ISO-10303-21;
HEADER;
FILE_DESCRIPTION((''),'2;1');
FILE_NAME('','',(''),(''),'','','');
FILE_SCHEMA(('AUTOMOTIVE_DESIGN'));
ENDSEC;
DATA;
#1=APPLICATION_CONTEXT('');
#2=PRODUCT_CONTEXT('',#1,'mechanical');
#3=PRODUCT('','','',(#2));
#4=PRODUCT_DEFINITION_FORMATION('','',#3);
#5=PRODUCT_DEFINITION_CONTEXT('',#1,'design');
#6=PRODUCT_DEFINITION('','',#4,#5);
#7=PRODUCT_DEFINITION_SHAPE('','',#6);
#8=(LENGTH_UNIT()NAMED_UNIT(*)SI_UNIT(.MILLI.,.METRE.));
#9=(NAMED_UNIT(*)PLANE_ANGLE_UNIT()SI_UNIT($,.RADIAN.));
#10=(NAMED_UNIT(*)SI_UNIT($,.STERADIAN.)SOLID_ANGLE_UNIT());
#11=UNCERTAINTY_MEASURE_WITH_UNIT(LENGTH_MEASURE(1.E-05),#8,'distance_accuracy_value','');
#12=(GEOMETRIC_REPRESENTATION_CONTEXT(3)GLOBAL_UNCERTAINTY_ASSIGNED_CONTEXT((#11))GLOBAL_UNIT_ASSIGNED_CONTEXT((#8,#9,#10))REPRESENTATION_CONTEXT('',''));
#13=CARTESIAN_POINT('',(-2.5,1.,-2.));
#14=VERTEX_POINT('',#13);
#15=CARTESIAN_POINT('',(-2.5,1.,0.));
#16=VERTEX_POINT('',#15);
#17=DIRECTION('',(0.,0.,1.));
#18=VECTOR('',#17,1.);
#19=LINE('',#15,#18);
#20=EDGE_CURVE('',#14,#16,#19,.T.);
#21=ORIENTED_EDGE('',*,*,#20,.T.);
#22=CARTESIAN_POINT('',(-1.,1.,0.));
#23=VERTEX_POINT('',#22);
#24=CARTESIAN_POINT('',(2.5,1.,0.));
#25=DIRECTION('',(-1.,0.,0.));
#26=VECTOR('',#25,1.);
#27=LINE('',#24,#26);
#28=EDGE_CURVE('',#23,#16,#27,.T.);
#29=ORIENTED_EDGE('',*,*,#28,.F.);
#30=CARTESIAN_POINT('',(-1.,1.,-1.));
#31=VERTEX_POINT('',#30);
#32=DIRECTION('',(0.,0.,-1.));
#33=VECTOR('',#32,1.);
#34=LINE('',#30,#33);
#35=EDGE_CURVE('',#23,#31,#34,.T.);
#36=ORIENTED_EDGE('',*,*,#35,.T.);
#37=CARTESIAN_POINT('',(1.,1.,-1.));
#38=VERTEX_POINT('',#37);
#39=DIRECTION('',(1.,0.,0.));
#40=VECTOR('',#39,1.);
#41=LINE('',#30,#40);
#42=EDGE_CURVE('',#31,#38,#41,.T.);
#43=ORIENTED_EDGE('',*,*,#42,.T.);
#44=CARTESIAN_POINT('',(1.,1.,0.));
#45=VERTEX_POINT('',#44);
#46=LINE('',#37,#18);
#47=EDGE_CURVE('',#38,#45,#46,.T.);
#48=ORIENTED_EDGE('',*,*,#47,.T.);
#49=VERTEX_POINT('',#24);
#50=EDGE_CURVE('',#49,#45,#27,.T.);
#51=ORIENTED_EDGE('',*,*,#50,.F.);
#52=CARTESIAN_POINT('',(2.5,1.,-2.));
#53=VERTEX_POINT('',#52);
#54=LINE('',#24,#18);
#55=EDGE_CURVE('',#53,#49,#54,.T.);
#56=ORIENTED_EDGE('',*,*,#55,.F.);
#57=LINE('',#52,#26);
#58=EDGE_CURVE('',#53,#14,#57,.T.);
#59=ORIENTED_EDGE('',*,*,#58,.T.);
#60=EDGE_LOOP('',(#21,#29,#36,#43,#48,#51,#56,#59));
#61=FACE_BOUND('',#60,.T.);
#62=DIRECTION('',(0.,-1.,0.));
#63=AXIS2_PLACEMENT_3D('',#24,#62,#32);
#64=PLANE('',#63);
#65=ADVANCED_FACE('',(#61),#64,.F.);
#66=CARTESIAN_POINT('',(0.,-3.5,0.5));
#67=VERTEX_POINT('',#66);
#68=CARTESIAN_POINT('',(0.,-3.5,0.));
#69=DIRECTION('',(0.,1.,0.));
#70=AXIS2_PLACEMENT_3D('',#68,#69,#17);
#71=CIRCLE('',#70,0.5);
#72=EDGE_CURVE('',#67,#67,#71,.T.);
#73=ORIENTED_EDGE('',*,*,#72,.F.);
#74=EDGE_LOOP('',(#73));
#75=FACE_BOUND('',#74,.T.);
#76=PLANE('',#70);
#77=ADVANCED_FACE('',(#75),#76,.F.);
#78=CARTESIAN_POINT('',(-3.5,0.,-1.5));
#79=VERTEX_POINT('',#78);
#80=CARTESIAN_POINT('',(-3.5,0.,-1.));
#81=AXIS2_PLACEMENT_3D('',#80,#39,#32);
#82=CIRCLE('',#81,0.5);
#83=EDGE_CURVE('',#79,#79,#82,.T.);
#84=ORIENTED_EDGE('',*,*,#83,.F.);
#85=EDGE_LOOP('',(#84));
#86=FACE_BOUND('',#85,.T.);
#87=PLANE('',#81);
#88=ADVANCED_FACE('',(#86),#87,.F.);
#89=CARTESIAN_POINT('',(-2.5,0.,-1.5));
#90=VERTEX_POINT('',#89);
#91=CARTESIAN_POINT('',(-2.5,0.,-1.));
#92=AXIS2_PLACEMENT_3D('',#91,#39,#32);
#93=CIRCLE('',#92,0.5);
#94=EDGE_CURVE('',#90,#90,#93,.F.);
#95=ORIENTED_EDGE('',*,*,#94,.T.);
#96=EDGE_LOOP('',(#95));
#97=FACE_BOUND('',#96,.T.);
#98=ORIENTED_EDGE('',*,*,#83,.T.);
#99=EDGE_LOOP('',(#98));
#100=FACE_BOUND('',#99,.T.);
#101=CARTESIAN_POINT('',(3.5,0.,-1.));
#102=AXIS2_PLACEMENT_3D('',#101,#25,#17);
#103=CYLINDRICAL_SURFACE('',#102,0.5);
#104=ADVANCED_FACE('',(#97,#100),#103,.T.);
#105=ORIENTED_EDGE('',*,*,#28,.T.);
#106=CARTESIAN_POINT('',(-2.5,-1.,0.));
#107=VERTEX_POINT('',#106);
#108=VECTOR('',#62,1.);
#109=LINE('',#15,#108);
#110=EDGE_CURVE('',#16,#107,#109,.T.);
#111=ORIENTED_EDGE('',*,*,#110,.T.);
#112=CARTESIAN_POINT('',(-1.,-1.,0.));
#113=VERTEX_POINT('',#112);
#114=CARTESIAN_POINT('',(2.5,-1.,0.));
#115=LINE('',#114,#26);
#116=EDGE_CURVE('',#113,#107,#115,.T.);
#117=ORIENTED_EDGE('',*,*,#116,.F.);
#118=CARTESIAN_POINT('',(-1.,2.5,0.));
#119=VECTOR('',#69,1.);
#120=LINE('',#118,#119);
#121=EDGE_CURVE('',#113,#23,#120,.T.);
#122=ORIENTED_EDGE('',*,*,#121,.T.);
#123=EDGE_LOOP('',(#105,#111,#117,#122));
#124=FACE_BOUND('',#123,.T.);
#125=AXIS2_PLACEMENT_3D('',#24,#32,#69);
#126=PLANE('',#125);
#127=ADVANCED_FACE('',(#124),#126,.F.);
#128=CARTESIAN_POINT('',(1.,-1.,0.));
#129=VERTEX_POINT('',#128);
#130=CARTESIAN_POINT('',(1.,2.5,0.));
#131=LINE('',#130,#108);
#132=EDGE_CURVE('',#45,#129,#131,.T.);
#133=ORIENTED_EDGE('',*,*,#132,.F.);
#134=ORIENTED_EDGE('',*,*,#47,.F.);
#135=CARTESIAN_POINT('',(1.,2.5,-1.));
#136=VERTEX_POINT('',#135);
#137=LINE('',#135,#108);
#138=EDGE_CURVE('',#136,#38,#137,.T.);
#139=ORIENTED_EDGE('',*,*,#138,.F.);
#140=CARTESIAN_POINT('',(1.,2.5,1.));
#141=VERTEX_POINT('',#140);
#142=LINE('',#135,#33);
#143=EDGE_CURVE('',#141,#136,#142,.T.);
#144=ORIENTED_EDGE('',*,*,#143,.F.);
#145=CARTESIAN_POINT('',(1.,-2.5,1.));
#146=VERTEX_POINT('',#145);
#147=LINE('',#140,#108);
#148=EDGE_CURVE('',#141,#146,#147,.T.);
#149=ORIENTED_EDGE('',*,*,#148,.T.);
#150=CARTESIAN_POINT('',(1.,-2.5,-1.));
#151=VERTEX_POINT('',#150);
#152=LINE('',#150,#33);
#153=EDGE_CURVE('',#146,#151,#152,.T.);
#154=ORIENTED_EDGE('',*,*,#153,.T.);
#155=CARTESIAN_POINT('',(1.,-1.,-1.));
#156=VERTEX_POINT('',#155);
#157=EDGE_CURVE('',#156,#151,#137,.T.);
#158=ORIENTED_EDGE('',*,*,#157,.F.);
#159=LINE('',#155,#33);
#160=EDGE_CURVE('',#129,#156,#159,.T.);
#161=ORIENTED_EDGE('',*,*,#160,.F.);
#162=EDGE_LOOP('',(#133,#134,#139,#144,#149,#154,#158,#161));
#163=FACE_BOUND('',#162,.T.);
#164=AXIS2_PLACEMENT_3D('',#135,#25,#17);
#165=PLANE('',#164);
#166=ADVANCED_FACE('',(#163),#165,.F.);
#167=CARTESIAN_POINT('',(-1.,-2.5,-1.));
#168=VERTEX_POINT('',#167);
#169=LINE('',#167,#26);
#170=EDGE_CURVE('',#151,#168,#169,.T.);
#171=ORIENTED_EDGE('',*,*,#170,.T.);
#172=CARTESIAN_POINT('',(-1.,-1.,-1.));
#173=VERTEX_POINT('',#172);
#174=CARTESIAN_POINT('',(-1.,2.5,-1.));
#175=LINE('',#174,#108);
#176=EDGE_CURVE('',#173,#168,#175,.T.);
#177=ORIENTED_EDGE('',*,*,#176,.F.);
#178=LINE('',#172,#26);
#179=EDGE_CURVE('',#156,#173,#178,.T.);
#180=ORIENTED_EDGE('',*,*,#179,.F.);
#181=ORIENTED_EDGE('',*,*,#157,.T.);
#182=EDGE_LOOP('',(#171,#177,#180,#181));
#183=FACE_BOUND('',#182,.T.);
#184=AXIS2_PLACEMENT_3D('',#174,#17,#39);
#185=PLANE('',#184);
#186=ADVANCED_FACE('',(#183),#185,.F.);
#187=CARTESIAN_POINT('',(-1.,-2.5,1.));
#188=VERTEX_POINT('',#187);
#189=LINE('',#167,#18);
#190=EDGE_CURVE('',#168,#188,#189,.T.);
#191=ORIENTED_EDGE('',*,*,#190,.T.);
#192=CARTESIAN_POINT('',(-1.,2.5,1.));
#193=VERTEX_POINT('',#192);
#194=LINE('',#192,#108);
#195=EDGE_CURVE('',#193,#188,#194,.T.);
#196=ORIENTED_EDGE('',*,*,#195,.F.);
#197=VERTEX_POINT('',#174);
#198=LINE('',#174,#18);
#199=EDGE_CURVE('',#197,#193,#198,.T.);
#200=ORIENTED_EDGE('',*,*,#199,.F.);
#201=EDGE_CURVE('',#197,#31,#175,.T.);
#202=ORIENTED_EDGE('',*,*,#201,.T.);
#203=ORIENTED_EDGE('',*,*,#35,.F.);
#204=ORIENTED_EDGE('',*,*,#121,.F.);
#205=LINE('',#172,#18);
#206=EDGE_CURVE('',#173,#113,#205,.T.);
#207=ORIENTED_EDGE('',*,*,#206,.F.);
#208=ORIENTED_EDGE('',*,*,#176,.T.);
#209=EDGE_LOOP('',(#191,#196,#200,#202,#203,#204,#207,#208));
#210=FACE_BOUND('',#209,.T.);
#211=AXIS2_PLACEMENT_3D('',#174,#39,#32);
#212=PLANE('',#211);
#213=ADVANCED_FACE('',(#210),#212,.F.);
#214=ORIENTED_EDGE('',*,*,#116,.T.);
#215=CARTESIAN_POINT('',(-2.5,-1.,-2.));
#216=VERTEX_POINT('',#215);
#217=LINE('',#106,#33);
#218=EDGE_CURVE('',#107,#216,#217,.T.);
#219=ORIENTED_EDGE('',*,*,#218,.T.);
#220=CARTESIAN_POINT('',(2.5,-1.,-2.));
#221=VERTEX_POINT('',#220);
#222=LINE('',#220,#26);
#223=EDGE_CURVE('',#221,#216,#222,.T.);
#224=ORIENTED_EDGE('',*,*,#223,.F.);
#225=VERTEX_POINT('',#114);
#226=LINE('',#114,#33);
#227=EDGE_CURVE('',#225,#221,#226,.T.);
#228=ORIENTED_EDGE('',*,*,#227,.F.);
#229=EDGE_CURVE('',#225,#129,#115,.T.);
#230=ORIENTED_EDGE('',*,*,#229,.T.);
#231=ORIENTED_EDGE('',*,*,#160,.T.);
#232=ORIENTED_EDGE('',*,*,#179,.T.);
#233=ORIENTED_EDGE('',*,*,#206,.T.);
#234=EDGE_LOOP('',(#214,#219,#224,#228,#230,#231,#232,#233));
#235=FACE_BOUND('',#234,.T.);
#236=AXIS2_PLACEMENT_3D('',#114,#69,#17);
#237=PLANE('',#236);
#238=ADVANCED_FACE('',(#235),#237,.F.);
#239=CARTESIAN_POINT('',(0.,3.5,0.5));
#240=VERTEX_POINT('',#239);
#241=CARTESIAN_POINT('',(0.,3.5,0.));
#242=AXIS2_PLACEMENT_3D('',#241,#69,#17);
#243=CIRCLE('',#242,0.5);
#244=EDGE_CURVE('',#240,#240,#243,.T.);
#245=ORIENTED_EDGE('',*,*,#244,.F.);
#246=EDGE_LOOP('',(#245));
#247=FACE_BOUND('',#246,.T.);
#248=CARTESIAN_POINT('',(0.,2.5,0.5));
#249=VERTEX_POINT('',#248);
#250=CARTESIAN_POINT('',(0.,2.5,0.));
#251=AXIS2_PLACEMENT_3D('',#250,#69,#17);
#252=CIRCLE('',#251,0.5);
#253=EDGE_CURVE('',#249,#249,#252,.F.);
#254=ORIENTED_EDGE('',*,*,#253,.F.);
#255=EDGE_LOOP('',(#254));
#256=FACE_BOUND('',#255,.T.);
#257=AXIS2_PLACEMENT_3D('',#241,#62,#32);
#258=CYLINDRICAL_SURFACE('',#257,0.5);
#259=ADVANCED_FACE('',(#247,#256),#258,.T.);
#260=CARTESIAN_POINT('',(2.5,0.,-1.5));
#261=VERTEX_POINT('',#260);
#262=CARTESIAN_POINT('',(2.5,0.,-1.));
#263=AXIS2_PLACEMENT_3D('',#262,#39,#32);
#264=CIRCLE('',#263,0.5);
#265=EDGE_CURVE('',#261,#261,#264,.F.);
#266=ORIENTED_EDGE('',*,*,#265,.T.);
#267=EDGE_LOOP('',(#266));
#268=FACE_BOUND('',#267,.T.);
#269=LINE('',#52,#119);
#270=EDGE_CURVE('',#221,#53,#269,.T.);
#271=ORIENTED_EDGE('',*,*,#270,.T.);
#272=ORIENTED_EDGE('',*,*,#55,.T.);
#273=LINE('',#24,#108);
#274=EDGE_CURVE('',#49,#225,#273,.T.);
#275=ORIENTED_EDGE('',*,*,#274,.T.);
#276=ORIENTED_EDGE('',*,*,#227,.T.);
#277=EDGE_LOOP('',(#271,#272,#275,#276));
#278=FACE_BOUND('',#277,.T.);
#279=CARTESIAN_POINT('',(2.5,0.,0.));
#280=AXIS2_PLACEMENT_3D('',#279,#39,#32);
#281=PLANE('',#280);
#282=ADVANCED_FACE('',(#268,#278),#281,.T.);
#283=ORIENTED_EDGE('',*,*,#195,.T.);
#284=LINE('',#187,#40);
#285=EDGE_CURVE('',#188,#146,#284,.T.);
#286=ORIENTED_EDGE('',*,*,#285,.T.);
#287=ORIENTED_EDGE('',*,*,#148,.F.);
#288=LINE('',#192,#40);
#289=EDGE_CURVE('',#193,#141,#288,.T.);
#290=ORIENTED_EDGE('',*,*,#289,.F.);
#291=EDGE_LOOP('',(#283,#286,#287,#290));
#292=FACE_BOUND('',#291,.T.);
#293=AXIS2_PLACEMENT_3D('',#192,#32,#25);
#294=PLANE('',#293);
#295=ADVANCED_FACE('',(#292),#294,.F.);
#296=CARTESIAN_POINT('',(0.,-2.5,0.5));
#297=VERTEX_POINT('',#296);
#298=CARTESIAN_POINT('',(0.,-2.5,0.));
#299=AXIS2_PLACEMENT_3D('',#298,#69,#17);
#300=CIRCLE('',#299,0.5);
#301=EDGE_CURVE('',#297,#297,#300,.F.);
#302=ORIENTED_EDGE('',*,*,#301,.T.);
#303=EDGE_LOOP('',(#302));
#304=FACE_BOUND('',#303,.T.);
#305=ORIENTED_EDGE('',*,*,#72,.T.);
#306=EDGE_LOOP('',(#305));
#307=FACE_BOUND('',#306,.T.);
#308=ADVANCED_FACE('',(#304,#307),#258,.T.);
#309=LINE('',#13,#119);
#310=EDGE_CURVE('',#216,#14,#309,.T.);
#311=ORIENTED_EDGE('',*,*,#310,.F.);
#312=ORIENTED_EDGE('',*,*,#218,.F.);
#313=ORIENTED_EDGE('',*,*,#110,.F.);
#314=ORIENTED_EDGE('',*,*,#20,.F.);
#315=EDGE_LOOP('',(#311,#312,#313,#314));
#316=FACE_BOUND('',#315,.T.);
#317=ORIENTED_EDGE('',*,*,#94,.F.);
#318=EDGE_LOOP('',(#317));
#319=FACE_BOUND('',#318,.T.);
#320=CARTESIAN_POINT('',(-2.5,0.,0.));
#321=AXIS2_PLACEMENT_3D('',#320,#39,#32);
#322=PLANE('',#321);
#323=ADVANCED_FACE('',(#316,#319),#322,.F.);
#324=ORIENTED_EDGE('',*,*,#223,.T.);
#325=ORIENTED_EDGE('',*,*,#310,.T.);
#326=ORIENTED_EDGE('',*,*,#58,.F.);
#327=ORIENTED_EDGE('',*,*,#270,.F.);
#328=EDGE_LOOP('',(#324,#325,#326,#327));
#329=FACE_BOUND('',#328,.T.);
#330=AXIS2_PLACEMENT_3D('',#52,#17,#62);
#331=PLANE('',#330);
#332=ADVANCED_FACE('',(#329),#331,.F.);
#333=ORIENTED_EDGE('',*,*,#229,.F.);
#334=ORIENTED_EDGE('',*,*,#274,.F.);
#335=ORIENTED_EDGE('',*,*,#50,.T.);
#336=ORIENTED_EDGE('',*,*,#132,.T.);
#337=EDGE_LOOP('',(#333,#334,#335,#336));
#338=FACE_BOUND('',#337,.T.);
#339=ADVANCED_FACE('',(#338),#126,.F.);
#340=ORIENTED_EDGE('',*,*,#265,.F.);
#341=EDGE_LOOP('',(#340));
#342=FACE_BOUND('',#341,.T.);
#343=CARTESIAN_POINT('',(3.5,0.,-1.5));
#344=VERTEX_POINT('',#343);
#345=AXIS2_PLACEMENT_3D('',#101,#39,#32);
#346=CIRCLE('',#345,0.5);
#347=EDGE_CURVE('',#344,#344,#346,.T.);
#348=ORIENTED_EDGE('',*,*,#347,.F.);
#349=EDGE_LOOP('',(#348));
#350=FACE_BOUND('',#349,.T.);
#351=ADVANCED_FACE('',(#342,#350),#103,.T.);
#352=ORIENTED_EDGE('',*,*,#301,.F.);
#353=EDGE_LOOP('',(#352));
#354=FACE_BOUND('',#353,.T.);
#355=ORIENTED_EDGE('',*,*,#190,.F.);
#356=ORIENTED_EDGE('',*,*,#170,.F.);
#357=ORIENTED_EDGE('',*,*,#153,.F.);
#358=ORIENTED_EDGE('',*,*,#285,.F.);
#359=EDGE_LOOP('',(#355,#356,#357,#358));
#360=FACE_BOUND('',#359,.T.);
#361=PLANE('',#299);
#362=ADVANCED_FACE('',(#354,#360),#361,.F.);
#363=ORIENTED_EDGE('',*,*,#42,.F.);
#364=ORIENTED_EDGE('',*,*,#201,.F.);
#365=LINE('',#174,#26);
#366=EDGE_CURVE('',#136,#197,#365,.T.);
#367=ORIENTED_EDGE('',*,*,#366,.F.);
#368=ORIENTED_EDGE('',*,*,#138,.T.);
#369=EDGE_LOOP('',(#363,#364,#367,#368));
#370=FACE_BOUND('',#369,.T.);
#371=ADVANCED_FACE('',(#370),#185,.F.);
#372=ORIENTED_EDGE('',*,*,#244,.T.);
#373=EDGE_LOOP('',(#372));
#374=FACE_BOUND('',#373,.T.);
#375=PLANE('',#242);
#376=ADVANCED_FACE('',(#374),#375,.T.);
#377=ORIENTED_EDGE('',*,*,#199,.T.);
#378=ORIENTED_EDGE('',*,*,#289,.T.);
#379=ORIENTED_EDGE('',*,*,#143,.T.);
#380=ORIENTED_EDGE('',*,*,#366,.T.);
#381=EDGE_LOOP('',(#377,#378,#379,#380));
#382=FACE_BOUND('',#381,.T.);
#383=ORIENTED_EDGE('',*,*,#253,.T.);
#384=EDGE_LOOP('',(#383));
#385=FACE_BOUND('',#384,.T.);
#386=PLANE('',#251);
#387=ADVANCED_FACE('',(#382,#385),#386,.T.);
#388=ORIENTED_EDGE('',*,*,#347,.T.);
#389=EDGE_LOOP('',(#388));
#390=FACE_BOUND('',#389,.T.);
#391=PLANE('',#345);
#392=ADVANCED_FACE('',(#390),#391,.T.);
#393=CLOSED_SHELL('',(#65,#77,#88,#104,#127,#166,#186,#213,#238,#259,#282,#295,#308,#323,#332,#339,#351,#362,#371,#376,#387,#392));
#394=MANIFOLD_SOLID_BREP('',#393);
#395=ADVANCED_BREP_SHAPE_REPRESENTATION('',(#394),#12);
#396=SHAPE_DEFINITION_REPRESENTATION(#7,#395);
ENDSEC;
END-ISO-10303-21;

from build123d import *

# Parameters (mm, degrees)
SKETCH1_W           = 2
SKETCH1_H           = 2
BOSS_EXTRUDE1_DEPTH = 2.5
SKETCH2_W           = 2
SKETCH2_H           = 2
BOSS_EXTRUDE2_DEPTH = 2.5
SKETCH3_R           = 0.5
BOSS_EXTRUDE3_DEPTH = 3.5
SKETCH5_R           = 0.5
BOSS_EXTRUDE4_DEPTH = 3.5


with BuildPart() as part:
    # Sketch1 → Boss-Extrude1 (new, symmetric)
    with BuildSketch(Plane(origin=(0, 0, 0), x_dir=(1, 0, 0), z_dir=(0, 1, 0))):
        Rectangle(SKETCH1_W, SKETCH1_H)
    extrude(amount=BOSS_EXTRUDE1_DEPTH, both=True)

    # Sketch2 → Boss-Extrude2 (add, symmetric)
    with BuildSketch(Plane(origin=(0, 0, 0), x_dir=(0, 0, -1), z_dir=(1, 0, 0))):
        with Locations((1, 0)):
            Rectangle(SKETCH2_W, SKETCH2_H)
    extrude(amount=BOSS_EXTRUDE2_DEPTH, both=True)

    # Sketch3 → Boss-Extrude3 (add, symmetric)
    with BuildSketch(Plane(origin=(0, 0, 0), x_dir=(1, 0, 0), z_dir=(0, 1, 0))):
        with Locations(Location((0, 0, 0), (0, 0, 270))):
            Circle(SKETCH3_R)
    extrude(amount=BOSS_EXTRUDE3_DEPTH, both=True)

    # Sketch5 → Boss-Extrude4 (add, symmetric)
    with BuildSketch(Plane(origin=(0, 0, 0), x_dir=(0, 0, -1), z_dir=(1, 0, 0))):
        with Locations((1, 0)):
            Circle(SKETCH5_R)
    extrude(amount=BOSS_EXTRUDE4_DEPTH, both=True)


solid = part.part
